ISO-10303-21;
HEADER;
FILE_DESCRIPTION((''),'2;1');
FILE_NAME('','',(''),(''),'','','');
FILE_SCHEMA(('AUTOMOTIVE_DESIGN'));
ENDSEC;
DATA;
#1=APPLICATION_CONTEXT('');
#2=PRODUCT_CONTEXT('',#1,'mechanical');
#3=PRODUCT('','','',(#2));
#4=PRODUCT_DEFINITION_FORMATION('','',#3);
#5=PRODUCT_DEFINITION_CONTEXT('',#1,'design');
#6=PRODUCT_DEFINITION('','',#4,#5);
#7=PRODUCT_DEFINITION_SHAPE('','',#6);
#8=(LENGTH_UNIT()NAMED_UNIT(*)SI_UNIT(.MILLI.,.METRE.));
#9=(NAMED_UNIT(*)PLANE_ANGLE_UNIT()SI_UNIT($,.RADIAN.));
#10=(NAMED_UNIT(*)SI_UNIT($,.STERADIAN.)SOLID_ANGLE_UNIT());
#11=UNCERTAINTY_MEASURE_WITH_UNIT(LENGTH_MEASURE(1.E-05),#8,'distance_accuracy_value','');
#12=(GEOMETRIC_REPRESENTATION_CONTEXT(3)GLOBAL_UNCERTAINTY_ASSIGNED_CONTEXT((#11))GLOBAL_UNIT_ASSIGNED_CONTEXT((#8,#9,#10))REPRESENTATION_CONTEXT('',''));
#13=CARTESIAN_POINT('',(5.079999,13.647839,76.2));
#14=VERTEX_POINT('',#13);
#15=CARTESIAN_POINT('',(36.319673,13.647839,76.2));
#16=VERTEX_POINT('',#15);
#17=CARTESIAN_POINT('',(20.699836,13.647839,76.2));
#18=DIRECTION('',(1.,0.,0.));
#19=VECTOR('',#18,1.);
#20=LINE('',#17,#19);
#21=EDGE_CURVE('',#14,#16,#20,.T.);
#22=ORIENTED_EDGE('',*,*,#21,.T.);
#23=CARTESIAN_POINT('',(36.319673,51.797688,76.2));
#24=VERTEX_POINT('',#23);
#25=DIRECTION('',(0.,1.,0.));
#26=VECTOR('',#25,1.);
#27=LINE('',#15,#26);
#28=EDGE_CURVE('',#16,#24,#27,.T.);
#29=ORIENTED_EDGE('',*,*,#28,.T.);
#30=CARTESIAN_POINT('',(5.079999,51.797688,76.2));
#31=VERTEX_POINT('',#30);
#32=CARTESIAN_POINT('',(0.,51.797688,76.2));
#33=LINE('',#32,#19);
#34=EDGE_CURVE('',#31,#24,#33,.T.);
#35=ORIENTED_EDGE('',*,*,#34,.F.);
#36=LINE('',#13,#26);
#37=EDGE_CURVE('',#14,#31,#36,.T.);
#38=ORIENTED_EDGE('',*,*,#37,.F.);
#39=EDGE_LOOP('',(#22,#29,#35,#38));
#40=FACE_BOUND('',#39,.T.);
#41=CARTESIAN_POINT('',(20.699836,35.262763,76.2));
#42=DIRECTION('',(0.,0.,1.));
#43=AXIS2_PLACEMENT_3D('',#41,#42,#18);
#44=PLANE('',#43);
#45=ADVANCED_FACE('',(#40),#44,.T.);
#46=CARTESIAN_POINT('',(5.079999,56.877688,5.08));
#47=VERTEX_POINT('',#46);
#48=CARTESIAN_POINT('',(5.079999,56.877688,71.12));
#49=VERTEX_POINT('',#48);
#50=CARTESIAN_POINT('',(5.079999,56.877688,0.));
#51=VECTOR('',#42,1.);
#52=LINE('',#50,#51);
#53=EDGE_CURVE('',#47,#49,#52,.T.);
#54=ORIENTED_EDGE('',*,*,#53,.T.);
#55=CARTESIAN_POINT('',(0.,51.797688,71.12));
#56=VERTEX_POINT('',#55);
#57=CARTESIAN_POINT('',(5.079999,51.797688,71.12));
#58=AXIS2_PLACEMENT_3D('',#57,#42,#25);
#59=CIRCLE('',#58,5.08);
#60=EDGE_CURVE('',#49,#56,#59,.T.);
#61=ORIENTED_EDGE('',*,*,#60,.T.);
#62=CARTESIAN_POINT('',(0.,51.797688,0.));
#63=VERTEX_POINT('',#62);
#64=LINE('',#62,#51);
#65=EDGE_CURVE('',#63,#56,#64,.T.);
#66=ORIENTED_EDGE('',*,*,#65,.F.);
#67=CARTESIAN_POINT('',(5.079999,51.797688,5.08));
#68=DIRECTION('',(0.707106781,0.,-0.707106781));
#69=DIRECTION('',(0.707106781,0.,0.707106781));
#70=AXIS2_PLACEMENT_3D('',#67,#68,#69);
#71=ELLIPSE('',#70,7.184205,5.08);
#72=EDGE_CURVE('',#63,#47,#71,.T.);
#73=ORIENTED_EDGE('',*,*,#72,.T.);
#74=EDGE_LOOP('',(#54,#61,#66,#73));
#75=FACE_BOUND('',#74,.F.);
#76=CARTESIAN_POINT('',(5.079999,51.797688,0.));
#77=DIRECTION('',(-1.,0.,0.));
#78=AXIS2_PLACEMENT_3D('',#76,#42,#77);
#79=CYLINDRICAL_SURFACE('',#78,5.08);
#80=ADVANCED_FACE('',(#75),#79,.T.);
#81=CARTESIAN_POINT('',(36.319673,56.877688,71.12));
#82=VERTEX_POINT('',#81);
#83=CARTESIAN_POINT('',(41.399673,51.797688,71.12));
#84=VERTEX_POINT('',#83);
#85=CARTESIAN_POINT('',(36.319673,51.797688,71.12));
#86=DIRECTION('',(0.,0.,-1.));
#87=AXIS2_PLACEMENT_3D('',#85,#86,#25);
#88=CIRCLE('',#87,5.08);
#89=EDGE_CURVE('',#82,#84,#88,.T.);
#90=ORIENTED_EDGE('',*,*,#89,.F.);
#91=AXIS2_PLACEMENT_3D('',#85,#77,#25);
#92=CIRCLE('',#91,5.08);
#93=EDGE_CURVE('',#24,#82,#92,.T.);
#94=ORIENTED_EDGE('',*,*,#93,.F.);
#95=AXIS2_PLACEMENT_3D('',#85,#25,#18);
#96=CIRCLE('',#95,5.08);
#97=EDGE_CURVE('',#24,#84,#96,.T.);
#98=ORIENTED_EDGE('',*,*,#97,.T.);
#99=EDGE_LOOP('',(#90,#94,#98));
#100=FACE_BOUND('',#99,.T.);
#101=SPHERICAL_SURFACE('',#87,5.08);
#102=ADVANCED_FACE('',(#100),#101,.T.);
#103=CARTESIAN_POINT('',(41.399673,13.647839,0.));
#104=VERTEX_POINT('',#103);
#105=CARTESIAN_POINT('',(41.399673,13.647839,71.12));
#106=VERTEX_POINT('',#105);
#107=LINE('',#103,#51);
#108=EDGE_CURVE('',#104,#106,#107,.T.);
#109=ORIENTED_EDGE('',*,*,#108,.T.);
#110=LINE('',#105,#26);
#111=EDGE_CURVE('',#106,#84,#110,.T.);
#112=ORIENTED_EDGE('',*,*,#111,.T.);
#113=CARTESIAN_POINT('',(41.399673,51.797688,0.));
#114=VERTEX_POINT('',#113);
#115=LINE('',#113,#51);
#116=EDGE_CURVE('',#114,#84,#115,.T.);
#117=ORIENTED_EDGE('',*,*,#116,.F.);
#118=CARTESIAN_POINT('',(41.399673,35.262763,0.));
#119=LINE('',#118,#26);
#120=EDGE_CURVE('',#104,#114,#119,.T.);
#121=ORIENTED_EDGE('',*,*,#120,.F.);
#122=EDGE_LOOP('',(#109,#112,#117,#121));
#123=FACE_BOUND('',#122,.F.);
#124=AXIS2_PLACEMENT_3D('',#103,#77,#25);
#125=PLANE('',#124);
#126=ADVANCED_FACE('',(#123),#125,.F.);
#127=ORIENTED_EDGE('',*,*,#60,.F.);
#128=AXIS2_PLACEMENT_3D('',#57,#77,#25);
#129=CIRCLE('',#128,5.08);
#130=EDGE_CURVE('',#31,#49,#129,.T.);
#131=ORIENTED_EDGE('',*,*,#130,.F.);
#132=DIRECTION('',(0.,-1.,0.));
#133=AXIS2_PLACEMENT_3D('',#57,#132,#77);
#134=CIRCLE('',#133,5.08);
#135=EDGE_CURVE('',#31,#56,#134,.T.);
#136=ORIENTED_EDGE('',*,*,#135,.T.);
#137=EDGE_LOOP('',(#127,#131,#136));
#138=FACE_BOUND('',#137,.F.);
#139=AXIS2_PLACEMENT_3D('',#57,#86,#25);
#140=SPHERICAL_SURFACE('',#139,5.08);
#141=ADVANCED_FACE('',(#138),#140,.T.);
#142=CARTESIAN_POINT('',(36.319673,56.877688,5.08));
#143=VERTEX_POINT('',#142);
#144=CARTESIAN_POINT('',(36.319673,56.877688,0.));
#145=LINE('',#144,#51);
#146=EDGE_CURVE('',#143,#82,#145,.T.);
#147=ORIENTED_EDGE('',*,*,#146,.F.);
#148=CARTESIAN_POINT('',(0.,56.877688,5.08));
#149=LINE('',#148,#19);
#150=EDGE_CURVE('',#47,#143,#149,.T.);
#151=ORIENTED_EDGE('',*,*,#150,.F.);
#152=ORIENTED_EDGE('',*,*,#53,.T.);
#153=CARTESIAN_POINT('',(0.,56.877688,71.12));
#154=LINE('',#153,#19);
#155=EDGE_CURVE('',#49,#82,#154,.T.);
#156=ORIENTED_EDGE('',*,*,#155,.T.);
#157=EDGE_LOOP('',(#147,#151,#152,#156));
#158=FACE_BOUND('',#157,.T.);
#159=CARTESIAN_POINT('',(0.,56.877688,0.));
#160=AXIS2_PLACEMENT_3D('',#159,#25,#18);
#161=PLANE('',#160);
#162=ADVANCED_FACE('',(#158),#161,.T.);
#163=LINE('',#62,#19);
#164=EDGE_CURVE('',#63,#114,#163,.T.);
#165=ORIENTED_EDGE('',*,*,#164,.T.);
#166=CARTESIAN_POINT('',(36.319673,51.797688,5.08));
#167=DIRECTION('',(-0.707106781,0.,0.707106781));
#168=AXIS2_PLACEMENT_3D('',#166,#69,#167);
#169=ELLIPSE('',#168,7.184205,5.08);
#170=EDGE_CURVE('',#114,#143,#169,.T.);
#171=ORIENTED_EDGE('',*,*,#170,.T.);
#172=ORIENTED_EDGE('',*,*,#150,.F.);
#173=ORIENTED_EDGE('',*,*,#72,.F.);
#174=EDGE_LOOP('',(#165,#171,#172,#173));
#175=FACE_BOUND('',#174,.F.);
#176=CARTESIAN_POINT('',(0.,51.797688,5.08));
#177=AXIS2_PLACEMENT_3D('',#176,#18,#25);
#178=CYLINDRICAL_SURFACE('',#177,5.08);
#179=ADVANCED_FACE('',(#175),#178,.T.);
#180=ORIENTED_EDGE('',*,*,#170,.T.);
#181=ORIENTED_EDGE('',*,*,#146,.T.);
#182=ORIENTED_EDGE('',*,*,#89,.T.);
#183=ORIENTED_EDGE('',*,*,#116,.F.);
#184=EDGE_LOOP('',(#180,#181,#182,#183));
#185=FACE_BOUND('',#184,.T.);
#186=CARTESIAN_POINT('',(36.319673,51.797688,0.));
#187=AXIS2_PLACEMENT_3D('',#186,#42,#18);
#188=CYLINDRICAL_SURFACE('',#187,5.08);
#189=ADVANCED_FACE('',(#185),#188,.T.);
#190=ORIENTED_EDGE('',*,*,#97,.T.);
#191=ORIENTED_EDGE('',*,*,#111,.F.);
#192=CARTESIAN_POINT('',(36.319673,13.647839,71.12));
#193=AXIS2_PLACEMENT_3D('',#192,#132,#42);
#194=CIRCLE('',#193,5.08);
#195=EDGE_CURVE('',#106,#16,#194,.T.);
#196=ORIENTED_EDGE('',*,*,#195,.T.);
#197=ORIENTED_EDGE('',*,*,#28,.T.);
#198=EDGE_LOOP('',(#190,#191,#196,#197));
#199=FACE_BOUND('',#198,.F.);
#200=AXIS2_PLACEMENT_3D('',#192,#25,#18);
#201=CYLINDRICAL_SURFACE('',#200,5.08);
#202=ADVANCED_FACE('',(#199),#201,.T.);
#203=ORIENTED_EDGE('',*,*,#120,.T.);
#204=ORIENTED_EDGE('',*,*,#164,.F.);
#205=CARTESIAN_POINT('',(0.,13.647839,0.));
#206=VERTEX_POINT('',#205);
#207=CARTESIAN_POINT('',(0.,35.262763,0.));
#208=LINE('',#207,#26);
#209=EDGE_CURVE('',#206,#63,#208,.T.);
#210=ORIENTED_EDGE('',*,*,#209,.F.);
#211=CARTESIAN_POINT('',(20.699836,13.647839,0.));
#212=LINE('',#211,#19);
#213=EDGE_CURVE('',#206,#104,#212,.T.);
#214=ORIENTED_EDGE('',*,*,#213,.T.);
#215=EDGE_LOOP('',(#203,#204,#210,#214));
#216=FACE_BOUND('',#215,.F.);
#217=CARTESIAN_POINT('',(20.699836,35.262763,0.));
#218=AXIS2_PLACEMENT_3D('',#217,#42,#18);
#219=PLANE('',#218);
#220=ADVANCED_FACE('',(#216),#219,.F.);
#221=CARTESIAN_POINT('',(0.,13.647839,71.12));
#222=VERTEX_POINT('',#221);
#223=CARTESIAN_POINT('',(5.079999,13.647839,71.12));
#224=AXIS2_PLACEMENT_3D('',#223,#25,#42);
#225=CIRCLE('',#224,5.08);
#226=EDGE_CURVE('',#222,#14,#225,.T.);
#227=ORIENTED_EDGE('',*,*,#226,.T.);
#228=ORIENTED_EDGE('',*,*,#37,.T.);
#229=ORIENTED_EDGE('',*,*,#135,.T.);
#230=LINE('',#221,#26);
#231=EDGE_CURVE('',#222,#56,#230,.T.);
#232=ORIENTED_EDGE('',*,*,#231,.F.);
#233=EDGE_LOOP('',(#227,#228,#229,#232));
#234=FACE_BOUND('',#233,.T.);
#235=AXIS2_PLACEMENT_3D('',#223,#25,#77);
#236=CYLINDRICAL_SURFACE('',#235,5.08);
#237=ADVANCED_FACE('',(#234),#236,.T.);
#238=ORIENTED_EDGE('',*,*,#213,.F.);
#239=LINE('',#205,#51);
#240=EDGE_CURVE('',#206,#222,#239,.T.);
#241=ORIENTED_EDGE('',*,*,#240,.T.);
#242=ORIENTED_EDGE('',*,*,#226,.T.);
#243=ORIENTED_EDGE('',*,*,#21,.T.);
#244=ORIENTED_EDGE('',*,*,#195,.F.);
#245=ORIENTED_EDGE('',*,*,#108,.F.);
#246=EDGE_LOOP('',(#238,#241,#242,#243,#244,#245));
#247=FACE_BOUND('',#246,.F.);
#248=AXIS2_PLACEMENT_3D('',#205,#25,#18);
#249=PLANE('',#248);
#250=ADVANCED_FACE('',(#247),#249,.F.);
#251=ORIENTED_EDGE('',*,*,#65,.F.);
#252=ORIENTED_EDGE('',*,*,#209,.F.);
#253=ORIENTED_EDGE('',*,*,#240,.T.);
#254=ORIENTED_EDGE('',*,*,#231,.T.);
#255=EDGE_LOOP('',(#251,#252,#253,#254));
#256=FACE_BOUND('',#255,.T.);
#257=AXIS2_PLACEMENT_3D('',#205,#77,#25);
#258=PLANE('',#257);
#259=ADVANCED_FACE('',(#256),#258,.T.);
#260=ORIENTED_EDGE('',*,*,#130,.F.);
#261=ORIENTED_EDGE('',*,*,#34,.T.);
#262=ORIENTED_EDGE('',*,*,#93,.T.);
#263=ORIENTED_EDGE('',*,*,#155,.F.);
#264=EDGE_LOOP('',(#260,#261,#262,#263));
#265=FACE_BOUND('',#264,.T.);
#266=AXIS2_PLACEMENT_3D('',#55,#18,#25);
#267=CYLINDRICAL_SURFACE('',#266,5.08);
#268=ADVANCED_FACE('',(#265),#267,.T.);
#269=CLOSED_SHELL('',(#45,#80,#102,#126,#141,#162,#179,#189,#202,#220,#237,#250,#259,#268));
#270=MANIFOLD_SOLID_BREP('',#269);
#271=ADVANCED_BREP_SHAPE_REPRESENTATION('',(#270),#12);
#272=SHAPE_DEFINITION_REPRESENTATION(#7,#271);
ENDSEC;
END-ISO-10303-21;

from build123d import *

# Parameters (mm, degrees)
F0_W     = 41.399673
F0_H     = 43.229849
F1_DEPTH = 76.2
F2_R     = 5.08


with BuildPart() as f1:
    # F0 (on Top) → F1 (new body)
    with BuildSketch(Plane.XY):
        with Locations((20.699836, 35.262763)):
            Rectangle(F0_W, F0_H)
    extrude(amount=F1_DEPTH)

    # F2
    f2_edges = [f1.edges().sort_by_distance(p)[0] for p in [
        (41.399673, 56.877688, 38.1),
        (0, 56.877688, 38.1),
        (20.699836, 56.877688, 0),
        (20.699836, 56.877688, 76.2),
        (41.399673, 35.262764, 76.2),
        (0, 35.262764, 76.2),
    ]]
    fillet(f2_edges, radius=F2_R)


solid = f1.part
